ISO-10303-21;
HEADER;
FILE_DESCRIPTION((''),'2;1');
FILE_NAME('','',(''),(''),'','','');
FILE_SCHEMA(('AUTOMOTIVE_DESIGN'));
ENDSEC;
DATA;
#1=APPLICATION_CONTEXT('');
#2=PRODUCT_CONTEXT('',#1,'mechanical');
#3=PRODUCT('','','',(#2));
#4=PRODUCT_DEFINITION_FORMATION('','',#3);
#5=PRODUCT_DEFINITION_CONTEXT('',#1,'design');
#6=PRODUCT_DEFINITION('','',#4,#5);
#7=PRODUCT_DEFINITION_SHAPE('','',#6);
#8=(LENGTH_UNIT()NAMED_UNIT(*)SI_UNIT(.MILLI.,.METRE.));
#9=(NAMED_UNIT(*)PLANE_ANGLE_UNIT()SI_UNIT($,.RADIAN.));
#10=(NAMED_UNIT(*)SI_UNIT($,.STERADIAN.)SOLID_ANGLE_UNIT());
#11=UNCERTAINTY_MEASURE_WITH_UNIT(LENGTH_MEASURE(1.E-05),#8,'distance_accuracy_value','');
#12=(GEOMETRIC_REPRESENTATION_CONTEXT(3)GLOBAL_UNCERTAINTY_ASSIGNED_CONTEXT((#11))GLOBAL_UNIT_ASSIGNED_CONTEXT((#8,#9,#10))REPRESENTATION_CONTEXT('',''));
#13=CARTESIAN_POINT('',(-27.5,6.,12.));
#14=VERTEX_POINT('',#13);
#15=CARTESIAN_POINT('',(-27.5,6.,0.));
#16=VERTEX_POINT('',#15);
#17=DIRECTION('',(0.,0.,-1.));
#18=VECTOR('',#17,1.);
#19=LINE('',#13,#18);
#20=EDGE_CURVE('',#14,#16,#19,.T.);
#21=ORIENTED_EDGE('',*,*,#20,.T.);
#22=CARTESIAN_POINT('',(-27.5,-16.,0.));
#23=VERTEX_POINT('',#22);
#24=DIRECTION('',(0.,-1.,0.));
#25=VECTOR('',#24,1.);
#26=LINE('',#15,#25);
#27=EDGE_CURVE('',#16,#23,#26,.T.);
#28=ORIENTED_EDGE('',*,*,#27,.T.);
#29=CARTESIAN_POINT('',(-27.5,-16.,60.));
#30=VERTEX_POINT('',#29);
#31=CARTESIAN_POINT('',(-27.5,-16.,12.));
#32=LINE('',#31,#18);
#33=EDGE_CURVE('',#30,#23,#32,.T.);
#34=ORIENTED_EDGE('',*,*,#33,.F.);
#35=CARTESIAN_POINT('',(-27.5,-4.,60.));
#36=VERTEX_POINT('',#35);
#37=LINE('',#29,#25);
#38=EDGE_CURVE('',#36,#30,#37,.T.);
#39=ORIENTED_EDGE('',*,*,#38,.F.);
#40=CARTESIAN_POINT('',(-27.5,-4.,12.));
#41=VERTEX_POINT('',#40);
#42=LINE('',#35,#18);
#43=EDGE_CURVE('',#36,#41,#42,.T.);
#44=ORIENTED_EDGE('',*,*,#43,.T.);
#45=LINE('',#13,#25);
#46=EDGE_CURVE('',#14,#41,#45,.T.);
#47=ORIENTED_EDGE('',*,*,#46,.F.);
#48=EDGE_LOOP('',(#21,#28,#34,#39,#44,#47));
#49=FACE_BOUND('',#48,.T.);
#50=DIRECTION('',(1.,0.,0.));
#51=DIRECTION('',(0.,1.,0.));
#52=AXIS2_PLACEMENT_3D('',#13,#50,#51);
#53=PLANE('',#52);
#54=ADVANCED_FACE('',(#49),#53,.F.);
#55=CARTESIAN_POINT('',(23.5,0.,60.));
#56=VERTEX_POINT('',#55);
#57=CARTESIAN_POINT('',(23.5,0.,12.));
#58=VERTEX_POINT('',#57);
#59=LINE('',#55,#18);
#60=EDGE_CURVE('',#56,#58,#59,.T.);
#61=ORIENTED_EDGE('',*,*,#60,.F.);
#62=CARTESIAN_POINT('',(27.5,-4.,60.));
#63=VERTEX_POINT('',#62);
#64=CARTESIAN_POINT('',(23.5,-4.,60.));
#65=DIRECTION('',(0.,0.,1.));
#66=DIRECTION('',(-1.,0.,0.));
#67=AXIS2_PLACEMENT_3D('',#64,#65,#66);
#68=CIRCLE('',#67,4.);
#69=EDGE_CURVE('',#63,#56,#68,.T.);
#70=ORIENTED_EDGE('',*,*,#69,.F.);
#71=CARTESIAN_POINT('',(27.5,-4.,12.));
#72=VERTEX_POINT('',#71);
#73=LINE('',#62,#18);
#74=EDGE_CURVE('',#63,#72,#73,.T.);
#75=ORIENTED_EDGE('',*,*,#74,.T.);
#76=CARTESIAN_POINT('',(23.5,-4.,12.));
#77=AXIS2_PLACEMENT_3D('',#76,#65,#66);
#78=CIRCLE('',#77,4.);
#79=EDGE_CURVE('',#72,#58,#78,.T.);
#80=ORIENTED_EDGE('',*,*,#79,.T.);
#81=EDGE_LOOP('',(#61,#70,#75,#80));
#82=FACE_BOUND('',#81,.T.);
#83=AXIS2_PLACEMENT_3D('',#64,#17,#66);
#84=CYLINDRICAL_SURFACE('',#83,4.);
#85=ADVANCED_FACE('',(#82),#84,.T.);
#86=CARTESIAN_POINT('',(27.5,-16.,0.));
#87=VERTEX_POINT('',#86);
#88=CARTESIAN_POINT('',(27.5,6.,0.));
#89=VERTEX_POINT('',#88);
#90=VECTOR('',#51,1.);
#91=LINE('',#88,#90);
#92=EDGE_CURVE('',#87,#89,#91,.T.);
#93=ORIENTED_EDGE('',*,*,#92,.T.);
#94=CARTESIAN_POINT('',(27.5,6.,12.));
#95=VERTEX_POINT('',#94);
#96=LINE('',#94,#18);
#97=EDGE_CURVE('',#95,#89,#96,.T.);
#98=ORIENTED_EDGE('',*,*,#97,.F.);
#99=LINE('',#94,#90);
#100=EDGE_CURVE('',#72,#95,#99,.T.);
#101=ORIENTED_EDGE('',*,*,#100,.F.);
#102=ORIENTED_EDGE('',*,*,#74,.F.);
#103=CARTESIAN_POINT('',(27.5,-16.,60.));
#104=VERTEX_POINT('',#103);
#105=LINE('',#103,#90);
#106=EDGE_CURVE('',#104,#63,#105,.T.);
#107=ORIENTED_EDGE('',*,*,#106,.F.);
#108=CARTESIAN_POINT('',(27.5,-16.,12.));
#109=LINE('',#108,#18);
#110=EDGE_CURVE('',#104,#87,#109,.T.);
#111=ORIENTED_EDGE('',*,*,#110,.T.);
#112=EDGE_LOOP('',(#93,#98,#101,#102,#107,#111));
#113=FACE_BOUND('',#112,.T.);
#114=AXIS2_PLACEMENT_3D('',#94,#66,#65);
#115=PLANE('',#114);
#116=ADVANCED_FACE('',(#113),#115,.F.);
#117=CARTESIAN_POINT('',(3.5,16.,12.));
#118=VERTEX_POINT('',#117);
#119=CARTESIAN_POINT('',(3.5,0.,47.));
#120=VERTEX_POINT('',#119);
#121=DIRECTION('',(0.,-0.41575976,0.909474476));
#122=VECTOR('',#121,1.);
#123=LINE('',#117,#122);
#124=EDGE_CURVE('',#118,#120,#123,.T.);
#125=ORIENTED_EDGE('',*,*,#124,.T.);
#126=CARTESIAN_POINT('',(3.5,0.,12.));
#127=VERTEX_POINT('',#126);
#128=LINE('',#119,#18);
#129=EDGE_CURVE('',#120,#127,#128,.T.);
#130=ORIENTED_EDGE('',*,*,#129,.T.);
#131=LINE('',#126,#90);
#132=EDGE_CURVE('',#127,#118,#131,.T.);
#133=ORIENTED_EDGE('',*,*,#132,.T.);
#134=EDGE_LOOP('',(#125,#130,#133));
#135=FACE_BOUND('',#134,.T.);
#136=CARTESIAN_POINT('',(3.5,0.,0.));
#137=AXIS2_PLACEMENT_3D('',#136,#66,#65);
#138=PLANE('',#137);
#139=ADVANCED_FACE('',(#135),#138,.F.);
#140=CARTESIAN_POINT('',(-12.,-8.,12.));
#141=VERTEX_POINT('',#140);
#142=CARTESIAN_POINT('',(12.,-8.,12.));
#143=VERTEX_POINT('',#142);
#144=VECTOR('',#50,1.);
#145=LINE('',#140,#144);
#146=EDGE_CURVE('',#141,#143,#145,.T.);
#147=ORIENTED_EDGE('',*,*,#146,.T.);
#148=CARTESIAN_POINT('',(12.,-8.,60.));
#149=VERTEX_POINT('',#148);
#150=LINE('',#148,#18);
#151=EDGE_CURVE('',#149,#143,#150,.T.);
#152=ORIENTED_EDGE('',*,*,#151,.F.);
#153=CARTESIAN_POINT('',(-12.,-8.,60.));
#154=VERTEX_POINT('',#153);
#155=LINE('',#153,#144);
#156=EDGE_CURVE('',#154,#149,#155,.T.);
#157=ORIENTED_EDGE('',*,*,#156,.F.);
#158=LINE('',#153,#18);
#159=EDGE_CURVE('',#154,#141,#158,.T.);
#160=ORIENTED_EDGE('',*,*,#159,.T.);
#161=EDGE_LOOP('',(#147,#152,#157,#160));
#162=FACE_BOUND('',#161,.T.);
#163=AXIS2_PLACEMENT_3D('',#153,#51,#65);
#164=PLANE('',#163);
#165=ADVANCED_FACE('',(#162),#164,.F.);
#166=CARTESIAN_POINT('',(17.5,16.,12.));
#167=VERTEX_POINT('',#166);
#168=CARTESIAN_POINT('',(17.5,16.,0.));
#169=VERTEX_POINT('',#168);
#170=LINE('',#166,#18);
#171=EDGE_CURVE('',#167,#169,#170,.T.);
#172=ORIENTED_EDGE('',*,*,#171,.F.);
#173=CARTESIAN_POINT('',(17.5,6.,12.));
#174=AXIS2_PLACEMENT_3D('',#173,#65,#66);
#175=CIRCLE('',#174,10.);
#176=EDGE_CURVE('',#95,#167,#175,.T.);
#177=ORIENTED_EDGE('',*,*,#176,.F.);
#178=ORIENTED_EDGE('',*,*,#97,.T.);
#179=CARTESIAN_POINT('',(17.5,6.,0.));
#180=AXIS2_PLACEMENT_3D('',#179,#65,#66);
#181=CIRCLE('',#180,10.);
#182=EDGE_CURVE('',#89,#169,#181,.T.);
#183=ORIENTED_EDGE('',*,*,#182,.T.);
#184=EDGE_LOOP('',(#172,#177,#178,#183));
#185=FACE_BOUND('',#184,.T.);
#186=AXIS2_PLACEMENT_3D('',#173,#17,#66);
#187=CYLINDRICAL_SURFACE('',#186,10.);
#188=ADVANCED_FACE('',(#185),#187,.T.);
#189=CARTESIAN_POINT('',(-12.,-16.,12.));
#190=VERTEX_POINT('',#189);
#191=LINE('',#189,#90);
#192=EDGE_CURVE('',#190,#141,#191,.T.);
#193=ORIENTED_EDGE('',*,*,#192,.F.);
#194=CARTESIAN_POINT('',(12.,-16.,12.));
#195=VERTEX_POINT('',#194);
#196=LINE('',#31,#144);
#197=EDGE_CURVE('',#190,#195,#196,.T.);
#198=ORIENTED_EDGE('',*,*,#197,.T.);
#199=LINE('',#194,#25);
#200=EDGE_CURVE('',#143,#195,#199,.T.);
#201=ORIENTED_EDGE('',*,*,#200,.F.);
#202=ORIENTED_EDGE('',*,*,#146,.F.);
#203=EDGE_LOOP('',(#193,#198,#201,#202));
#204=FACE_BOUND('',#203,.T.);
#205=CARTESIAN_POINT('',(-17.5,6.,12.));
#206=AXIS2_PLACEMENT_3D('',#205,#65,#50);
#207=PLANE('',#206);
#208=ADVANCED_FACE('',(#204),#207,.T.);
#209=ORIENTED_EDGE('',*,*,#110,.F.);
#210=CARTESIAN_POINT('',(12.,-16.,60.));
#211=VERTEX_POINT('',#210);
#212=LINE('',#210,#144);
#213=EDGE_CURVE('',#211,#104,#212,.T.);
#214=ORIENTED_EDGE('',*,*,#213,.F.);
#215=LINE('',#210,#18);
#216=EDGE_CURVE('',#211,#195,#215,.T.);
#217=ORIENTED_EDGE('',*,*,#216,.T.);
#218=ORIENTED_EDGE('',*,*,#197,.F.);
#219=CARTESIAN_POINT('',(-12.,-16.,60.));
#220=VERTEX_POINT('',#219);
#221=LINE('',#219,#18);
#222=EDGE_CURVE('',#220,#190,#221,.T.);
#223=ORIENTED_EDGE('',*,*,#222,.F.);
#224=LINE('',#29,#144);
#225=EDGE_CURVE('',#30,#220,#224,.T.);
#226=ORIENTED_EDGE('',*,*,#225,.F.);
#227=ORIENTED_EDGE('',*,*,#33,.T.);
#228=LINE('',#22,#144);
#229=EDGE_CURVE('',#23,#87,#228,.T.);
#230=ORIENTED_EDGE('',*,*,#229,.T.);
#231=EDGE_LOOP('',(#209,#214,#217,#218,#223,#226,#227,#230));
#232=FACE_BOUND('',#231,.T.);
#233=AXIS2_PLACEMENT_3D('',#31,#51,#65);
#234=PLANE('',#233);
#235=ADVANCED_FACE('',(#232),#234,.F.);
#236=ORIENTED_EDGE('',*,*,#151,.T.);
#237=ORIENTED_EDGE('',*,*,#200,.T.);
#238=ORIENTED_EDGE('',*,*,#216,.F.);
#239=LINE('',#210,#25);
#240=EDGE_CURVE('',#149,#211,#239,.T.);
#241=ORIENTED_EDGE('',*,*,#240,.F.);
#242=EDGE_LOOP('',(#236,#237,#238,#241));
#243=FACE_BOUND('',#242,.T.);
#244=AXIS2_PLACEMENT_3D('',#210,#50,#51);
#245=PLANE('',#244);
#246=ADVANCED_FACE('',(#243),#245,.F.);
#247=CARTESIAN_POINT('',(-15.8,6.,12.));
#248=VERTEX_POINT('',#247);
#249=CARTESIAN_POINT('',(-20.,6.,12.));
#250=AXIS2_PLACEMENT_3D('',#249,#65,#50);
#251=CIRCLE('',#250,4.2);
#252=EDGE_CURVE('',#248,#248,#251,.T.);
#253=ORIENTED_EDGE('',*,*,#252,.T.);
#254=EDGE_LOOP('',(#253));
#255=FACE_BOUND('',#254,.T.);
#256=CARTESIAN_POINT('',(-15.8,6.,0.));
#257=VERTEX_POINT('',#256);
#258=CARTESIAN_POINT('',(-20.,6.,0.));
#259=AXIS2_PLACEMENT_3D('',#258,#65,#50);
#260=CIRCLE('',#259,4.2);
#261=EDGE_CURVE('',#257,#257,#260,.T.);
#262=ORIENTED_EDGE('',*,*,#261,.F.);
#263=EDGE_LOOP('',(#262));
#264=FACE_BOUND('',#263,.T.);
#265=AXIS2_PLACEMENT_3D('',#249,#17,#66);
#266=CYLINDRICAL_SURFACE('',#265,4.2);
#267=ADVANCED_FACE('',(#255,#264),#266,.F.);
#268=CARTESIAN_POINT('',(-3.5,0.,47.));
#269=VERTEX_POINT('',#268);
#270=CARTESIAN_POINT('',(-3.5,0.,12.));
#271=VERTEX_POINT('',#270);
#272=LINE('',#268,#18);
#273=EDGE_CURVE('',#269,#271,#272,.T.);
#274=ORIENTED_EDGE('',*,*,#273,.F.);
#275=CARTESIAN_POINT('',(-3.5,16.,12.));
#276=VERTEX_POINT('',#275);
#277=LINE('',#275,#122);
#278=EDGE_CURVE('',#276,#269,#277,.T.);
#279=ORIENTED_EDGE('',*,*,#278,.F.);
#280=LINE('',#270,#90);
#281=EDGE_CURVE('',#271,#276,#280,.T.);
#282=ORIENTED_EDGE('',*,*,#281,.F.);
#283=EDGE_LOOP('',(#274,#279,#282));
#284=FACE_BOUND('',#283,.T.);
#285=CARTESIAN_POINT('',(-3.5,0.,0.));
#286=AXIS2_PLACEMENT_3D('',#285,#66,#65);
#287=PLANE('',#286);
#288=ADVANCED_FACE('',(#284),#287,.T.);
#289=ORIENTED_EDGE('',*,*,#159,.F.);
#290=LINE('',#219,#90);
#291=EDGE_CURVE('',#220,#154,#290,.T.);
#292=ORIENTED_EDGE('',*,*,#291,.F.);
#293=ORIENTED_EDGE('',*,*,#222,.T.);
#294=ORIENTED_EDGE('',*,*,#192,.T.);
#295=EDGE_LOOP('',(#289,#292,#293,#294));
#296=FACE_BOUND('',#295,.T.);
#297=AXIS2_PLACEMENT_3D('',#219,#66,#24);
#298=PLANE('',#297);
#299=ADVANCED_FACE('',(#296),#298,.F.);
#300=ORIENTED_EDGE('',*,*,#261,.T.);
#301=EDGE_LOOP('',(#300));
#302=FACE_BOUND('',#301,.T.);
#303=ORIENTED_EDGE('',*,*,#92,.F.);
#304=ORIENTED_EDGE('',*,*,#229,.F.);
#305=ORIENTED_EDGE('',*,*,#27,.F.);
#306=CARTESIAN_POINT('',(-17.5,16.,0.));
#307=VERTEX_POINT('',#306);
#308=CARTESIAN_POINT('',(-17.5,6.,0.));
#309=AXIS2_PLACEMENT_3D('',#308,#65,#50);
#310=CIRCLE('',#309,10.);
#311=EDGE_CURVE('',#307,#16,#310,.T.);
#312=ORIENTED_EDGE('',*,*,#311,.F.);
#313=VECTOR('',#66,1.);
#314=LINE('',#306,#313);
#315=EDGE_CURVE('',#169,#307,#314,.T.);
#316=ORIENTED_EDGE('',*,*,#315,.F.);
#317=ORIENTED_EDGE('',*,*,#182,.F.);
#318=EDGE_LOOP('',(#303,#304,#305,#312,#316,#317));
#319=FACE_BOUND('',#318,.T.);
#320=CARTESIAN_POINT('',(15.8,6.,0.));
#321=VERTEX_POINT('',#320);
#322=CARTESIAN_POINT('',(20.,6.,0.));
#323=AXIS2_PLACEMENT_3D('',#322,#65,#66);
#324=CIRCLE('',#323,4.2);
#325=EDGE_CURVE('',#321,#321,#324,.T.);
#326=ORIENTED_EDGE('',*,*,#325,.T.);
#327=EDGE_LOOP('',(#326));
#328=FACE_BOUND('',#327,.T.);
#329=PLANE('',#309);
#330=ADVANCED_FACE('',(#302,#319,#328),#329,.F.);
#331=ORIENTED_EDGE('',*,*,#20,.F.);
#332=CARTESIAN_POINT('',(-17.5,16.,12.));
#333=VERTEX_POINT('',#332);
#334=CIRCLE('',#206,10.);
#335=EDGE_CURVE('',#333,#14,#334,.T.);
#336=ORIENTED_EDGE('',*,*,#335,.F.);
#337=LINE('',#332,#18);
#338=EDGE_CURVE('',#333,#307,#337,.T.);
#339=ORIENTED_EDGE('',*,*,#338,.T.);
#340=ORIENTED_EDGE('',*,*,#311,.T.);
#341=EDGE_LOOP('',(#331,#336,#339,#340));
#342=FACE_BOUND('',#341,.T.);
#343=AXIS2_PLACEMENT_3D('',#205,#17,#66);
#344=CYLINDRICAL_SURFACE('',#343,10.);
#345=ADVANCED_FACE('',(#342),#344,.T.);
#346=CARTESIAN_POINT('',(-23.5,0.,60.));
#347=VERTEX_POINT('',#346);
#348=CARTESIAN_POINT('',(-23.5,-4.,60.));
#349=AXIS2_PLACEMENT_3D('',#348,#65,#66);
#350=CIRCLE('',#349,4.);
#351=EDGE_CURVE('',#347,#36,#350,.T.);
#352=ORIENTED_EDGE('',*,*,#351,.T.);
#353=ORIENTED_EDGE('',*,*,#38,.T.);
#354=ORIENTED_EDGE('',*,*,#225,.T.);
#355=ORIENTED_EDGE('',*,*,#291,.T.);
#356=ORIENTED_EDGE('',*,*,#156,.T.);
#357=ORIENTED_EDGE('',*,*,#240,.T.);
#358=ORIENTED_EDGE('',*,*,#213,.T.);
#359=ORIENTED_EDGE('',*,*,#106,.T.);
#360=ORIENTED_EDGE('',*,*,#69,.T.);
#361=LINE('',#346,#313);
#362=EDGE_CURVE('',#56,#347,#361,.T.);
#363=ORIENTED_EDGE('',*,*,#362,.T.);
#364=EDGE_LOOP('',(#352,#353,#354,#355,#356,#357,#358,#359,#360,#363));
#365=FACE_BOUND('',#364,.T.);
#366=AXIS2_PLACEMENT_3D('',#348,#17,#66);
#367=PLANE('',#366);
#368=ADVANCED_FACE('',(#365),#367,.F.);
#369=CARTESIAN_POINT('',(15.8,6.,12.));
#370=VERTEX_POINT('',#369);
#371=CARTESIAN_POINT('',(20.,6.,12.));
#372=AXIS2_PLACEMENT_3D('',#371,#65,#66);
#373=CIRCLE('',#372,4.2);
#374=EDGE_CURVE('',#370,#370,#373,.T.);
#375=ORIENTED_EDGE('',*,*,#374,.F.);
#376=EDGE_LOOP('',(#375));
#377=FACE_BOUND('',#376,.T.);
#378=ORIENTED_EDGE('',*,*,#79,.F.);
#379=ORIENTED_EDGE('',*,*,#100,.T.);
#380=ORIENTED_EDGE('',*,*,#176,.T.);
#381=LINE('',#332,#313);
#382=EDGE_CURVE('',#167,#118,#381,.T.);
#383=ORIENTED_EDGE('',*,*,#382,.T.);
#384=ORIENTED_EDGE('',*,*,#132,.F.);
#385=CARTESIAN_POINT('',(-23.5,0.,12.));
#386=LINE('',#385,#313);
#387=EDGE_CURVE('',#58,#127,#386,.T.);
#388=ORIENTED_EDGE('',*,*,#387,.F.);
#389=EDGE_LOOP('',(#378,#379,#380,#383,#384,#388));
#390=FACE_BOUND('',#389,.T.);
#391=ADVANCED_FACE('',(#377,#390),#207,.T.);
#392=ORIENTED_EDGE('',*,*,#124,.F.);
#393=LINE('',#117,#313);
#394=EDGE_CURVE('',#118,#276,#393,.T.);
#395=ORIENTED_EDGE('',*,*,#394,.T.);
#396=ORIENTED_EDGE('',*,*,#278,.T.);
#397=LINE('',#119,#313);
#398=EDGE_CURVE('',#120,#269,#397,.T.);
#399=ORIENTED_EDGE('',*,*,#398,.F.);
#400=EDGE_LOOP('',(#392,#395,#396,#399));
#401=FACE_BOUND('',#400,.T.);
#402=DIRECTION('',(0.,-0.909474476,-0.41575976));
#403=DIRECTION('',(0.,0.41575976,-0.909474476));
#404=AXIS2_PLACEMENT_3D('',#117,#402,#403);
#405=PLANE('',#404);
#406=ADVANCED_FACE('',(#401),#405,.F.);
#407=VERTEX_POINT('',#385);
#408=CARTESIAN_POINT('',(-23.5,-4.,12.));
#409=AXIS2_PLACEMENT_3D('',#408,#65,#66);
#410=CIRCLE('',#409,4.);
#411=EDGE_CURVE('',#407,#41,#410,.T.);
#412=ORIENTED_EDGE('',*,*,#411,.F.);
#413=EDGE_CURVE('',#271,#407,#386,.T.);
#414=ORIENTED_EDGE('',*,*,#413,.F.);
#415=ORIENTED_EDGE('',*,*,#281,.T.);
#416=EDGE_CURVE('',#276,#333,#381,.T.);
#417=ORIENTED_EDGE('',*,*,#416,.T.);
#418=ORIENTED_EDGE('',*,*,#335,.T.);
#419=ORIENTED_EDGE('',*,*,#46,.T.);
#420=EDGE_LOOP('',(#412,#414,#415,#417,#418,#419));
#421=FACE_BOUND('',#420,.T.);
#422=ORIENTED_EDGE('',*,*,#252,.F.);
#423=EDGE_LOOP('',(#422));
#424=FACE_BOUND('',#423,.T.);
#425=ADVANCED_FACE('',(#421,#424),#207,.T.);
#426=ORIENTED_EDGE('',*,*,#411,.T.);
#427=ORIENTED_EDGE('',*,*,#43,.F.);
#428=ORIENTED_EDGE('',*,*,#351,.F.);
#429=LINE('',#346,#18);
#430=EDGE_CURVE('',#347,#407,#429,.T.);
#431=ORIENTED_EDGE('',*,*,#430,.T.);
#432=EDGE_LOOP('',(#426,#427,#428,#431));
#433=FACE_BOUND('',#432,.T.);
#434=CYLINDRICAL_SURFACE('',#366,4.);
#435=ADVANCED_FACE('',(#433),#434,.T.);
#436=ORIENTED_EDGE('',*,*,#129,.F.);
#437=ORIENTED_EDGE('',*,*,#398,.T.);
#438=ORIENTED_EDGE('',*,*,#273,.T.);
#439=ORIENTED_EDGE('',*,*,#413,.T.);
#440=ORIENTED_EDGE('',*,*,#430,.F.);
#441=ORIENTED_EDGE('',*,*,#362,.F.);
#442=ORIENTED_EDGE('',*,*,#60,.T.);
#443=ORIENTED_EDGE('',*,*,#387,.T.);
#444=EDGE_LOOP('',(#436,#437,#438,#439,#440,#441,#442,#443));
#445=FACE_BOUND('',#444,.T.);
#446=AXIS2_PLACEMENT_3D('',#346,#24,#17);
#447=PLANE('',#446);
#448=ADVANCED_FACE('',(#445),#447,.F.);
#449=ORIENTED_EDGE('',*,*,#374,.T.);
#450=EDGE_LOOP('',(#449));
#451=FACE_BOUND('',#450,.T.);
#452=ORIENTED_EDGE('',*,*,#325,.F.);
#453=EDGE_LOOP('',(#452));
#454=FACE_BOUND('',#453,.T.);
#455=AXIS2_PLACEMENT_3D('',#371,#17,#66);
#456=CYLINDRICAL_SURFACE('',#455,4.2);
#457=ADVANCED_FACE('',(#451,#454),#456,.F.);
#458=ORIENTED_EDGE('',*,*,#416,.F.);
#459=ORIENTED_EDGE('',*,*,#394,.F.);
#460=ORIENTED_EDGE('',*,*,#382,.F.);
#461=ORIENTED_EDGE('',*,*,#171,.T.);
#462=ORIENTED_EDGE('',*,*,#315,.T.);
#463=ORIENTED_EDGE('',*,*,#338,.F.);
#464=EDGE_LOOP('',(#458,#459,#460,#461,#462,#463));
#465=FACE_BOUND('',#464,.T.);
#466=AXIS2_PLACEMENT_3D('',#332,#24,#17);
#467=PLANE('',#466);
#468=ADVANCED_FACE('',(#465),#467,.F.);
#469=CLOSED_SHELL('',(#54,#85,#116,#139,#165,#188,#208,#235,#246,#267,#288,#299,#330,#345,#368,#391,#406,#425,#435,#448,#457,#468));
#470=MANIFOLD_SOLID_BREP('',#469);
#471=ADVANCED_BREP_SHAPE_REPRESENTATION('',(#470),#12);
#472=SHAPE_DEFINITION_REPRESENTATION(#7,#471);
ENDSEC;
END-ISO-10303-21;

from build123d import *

# Parameters (mm, degrees)
IZIM1_R                     = 4.2
Y_KSEKLIK_EKSTR_ZYON1_DEPTH = 12
Y_KSEKLIK_EKSTR_ZYON2_DEPTH = 48
Y_KSEKLIK_EKSTR_ZYON3_DEPTH = 3.5


with BuildPart() as part:
    # Çizim1 → Yükseklik-Ekstrüzyon1 (new body)
    with BuildSketch(Plane.XY):
        with BuildLine():
            Line((-17.5, 16), (17.5, 16))
            ThreePointArc((17.5, 16), (24.571067812, 13.071067812), (27.5, 6))
            Line((27.5, 6), (27.5, -16))
            Line((27.5, -16), (-27.5, -16))
            Line((-27.5, -16), (-27.5, 6))
            ThreePointArc((-27.5, 6), (-24.571067812, 13.071067812), (-17.5, 16))
        make_face()
        with Locations((-20, 6)):
            Circle(IZIM1_R, mode=Mode.SUBTRACT)
        with Locations((20, 6)):
            Circle(IZIM1_R, mode=Mode.SUBTRACT)
    extrude(amount=Y_KSEKLIK_EKSTR_ZYON1_DEPTH)

    # Çizim2 → Yükseklik-Ekstrüzyon2 (add)
    with BuildSketch(Plane.XY.offset(12)):
        with BuildLine():
            Line((-27.5, -16), (-12, -16))
            Line((-12, -16), (-12, -8))
            Line((-12, -8), (12, -8))
            Line((12, -8), (12, -16))
            Line((12, -16), (27.5, -16))
            Line((27.5, -16), (27.5, -4))
            ThreePointArc((27.5, -4), (26.328427125, -1.171572875), (23.5, 0))
            Line((23.5, 0), (-23.5, 0))
            ThreePointArc((-23.5, 0), (-26.328427125, -1.171572875), (-27.5, -4))
            Line((-27.5, -4), (-27.5, -16))
        make_face()
    extrude(amount=Y_KSEKLIK_EKSTR_ZYON2_DEPTH)

    # Çizim3 → Yükseklik-Ekstrüzyon3 (add, symmetric)
    with BuildSketch(Plane(origin=(0, 0, 0), x_dir=(0, 0, -1), z_dir=(1, 0, 0))):
        Polygon((-12, 16), (-47, 0), (-12, 0), align=None)
    extrude(amount=Y_KSEKLIK_EKSTR_ZYON3_DEPTH, both=True)


solid = part.part
